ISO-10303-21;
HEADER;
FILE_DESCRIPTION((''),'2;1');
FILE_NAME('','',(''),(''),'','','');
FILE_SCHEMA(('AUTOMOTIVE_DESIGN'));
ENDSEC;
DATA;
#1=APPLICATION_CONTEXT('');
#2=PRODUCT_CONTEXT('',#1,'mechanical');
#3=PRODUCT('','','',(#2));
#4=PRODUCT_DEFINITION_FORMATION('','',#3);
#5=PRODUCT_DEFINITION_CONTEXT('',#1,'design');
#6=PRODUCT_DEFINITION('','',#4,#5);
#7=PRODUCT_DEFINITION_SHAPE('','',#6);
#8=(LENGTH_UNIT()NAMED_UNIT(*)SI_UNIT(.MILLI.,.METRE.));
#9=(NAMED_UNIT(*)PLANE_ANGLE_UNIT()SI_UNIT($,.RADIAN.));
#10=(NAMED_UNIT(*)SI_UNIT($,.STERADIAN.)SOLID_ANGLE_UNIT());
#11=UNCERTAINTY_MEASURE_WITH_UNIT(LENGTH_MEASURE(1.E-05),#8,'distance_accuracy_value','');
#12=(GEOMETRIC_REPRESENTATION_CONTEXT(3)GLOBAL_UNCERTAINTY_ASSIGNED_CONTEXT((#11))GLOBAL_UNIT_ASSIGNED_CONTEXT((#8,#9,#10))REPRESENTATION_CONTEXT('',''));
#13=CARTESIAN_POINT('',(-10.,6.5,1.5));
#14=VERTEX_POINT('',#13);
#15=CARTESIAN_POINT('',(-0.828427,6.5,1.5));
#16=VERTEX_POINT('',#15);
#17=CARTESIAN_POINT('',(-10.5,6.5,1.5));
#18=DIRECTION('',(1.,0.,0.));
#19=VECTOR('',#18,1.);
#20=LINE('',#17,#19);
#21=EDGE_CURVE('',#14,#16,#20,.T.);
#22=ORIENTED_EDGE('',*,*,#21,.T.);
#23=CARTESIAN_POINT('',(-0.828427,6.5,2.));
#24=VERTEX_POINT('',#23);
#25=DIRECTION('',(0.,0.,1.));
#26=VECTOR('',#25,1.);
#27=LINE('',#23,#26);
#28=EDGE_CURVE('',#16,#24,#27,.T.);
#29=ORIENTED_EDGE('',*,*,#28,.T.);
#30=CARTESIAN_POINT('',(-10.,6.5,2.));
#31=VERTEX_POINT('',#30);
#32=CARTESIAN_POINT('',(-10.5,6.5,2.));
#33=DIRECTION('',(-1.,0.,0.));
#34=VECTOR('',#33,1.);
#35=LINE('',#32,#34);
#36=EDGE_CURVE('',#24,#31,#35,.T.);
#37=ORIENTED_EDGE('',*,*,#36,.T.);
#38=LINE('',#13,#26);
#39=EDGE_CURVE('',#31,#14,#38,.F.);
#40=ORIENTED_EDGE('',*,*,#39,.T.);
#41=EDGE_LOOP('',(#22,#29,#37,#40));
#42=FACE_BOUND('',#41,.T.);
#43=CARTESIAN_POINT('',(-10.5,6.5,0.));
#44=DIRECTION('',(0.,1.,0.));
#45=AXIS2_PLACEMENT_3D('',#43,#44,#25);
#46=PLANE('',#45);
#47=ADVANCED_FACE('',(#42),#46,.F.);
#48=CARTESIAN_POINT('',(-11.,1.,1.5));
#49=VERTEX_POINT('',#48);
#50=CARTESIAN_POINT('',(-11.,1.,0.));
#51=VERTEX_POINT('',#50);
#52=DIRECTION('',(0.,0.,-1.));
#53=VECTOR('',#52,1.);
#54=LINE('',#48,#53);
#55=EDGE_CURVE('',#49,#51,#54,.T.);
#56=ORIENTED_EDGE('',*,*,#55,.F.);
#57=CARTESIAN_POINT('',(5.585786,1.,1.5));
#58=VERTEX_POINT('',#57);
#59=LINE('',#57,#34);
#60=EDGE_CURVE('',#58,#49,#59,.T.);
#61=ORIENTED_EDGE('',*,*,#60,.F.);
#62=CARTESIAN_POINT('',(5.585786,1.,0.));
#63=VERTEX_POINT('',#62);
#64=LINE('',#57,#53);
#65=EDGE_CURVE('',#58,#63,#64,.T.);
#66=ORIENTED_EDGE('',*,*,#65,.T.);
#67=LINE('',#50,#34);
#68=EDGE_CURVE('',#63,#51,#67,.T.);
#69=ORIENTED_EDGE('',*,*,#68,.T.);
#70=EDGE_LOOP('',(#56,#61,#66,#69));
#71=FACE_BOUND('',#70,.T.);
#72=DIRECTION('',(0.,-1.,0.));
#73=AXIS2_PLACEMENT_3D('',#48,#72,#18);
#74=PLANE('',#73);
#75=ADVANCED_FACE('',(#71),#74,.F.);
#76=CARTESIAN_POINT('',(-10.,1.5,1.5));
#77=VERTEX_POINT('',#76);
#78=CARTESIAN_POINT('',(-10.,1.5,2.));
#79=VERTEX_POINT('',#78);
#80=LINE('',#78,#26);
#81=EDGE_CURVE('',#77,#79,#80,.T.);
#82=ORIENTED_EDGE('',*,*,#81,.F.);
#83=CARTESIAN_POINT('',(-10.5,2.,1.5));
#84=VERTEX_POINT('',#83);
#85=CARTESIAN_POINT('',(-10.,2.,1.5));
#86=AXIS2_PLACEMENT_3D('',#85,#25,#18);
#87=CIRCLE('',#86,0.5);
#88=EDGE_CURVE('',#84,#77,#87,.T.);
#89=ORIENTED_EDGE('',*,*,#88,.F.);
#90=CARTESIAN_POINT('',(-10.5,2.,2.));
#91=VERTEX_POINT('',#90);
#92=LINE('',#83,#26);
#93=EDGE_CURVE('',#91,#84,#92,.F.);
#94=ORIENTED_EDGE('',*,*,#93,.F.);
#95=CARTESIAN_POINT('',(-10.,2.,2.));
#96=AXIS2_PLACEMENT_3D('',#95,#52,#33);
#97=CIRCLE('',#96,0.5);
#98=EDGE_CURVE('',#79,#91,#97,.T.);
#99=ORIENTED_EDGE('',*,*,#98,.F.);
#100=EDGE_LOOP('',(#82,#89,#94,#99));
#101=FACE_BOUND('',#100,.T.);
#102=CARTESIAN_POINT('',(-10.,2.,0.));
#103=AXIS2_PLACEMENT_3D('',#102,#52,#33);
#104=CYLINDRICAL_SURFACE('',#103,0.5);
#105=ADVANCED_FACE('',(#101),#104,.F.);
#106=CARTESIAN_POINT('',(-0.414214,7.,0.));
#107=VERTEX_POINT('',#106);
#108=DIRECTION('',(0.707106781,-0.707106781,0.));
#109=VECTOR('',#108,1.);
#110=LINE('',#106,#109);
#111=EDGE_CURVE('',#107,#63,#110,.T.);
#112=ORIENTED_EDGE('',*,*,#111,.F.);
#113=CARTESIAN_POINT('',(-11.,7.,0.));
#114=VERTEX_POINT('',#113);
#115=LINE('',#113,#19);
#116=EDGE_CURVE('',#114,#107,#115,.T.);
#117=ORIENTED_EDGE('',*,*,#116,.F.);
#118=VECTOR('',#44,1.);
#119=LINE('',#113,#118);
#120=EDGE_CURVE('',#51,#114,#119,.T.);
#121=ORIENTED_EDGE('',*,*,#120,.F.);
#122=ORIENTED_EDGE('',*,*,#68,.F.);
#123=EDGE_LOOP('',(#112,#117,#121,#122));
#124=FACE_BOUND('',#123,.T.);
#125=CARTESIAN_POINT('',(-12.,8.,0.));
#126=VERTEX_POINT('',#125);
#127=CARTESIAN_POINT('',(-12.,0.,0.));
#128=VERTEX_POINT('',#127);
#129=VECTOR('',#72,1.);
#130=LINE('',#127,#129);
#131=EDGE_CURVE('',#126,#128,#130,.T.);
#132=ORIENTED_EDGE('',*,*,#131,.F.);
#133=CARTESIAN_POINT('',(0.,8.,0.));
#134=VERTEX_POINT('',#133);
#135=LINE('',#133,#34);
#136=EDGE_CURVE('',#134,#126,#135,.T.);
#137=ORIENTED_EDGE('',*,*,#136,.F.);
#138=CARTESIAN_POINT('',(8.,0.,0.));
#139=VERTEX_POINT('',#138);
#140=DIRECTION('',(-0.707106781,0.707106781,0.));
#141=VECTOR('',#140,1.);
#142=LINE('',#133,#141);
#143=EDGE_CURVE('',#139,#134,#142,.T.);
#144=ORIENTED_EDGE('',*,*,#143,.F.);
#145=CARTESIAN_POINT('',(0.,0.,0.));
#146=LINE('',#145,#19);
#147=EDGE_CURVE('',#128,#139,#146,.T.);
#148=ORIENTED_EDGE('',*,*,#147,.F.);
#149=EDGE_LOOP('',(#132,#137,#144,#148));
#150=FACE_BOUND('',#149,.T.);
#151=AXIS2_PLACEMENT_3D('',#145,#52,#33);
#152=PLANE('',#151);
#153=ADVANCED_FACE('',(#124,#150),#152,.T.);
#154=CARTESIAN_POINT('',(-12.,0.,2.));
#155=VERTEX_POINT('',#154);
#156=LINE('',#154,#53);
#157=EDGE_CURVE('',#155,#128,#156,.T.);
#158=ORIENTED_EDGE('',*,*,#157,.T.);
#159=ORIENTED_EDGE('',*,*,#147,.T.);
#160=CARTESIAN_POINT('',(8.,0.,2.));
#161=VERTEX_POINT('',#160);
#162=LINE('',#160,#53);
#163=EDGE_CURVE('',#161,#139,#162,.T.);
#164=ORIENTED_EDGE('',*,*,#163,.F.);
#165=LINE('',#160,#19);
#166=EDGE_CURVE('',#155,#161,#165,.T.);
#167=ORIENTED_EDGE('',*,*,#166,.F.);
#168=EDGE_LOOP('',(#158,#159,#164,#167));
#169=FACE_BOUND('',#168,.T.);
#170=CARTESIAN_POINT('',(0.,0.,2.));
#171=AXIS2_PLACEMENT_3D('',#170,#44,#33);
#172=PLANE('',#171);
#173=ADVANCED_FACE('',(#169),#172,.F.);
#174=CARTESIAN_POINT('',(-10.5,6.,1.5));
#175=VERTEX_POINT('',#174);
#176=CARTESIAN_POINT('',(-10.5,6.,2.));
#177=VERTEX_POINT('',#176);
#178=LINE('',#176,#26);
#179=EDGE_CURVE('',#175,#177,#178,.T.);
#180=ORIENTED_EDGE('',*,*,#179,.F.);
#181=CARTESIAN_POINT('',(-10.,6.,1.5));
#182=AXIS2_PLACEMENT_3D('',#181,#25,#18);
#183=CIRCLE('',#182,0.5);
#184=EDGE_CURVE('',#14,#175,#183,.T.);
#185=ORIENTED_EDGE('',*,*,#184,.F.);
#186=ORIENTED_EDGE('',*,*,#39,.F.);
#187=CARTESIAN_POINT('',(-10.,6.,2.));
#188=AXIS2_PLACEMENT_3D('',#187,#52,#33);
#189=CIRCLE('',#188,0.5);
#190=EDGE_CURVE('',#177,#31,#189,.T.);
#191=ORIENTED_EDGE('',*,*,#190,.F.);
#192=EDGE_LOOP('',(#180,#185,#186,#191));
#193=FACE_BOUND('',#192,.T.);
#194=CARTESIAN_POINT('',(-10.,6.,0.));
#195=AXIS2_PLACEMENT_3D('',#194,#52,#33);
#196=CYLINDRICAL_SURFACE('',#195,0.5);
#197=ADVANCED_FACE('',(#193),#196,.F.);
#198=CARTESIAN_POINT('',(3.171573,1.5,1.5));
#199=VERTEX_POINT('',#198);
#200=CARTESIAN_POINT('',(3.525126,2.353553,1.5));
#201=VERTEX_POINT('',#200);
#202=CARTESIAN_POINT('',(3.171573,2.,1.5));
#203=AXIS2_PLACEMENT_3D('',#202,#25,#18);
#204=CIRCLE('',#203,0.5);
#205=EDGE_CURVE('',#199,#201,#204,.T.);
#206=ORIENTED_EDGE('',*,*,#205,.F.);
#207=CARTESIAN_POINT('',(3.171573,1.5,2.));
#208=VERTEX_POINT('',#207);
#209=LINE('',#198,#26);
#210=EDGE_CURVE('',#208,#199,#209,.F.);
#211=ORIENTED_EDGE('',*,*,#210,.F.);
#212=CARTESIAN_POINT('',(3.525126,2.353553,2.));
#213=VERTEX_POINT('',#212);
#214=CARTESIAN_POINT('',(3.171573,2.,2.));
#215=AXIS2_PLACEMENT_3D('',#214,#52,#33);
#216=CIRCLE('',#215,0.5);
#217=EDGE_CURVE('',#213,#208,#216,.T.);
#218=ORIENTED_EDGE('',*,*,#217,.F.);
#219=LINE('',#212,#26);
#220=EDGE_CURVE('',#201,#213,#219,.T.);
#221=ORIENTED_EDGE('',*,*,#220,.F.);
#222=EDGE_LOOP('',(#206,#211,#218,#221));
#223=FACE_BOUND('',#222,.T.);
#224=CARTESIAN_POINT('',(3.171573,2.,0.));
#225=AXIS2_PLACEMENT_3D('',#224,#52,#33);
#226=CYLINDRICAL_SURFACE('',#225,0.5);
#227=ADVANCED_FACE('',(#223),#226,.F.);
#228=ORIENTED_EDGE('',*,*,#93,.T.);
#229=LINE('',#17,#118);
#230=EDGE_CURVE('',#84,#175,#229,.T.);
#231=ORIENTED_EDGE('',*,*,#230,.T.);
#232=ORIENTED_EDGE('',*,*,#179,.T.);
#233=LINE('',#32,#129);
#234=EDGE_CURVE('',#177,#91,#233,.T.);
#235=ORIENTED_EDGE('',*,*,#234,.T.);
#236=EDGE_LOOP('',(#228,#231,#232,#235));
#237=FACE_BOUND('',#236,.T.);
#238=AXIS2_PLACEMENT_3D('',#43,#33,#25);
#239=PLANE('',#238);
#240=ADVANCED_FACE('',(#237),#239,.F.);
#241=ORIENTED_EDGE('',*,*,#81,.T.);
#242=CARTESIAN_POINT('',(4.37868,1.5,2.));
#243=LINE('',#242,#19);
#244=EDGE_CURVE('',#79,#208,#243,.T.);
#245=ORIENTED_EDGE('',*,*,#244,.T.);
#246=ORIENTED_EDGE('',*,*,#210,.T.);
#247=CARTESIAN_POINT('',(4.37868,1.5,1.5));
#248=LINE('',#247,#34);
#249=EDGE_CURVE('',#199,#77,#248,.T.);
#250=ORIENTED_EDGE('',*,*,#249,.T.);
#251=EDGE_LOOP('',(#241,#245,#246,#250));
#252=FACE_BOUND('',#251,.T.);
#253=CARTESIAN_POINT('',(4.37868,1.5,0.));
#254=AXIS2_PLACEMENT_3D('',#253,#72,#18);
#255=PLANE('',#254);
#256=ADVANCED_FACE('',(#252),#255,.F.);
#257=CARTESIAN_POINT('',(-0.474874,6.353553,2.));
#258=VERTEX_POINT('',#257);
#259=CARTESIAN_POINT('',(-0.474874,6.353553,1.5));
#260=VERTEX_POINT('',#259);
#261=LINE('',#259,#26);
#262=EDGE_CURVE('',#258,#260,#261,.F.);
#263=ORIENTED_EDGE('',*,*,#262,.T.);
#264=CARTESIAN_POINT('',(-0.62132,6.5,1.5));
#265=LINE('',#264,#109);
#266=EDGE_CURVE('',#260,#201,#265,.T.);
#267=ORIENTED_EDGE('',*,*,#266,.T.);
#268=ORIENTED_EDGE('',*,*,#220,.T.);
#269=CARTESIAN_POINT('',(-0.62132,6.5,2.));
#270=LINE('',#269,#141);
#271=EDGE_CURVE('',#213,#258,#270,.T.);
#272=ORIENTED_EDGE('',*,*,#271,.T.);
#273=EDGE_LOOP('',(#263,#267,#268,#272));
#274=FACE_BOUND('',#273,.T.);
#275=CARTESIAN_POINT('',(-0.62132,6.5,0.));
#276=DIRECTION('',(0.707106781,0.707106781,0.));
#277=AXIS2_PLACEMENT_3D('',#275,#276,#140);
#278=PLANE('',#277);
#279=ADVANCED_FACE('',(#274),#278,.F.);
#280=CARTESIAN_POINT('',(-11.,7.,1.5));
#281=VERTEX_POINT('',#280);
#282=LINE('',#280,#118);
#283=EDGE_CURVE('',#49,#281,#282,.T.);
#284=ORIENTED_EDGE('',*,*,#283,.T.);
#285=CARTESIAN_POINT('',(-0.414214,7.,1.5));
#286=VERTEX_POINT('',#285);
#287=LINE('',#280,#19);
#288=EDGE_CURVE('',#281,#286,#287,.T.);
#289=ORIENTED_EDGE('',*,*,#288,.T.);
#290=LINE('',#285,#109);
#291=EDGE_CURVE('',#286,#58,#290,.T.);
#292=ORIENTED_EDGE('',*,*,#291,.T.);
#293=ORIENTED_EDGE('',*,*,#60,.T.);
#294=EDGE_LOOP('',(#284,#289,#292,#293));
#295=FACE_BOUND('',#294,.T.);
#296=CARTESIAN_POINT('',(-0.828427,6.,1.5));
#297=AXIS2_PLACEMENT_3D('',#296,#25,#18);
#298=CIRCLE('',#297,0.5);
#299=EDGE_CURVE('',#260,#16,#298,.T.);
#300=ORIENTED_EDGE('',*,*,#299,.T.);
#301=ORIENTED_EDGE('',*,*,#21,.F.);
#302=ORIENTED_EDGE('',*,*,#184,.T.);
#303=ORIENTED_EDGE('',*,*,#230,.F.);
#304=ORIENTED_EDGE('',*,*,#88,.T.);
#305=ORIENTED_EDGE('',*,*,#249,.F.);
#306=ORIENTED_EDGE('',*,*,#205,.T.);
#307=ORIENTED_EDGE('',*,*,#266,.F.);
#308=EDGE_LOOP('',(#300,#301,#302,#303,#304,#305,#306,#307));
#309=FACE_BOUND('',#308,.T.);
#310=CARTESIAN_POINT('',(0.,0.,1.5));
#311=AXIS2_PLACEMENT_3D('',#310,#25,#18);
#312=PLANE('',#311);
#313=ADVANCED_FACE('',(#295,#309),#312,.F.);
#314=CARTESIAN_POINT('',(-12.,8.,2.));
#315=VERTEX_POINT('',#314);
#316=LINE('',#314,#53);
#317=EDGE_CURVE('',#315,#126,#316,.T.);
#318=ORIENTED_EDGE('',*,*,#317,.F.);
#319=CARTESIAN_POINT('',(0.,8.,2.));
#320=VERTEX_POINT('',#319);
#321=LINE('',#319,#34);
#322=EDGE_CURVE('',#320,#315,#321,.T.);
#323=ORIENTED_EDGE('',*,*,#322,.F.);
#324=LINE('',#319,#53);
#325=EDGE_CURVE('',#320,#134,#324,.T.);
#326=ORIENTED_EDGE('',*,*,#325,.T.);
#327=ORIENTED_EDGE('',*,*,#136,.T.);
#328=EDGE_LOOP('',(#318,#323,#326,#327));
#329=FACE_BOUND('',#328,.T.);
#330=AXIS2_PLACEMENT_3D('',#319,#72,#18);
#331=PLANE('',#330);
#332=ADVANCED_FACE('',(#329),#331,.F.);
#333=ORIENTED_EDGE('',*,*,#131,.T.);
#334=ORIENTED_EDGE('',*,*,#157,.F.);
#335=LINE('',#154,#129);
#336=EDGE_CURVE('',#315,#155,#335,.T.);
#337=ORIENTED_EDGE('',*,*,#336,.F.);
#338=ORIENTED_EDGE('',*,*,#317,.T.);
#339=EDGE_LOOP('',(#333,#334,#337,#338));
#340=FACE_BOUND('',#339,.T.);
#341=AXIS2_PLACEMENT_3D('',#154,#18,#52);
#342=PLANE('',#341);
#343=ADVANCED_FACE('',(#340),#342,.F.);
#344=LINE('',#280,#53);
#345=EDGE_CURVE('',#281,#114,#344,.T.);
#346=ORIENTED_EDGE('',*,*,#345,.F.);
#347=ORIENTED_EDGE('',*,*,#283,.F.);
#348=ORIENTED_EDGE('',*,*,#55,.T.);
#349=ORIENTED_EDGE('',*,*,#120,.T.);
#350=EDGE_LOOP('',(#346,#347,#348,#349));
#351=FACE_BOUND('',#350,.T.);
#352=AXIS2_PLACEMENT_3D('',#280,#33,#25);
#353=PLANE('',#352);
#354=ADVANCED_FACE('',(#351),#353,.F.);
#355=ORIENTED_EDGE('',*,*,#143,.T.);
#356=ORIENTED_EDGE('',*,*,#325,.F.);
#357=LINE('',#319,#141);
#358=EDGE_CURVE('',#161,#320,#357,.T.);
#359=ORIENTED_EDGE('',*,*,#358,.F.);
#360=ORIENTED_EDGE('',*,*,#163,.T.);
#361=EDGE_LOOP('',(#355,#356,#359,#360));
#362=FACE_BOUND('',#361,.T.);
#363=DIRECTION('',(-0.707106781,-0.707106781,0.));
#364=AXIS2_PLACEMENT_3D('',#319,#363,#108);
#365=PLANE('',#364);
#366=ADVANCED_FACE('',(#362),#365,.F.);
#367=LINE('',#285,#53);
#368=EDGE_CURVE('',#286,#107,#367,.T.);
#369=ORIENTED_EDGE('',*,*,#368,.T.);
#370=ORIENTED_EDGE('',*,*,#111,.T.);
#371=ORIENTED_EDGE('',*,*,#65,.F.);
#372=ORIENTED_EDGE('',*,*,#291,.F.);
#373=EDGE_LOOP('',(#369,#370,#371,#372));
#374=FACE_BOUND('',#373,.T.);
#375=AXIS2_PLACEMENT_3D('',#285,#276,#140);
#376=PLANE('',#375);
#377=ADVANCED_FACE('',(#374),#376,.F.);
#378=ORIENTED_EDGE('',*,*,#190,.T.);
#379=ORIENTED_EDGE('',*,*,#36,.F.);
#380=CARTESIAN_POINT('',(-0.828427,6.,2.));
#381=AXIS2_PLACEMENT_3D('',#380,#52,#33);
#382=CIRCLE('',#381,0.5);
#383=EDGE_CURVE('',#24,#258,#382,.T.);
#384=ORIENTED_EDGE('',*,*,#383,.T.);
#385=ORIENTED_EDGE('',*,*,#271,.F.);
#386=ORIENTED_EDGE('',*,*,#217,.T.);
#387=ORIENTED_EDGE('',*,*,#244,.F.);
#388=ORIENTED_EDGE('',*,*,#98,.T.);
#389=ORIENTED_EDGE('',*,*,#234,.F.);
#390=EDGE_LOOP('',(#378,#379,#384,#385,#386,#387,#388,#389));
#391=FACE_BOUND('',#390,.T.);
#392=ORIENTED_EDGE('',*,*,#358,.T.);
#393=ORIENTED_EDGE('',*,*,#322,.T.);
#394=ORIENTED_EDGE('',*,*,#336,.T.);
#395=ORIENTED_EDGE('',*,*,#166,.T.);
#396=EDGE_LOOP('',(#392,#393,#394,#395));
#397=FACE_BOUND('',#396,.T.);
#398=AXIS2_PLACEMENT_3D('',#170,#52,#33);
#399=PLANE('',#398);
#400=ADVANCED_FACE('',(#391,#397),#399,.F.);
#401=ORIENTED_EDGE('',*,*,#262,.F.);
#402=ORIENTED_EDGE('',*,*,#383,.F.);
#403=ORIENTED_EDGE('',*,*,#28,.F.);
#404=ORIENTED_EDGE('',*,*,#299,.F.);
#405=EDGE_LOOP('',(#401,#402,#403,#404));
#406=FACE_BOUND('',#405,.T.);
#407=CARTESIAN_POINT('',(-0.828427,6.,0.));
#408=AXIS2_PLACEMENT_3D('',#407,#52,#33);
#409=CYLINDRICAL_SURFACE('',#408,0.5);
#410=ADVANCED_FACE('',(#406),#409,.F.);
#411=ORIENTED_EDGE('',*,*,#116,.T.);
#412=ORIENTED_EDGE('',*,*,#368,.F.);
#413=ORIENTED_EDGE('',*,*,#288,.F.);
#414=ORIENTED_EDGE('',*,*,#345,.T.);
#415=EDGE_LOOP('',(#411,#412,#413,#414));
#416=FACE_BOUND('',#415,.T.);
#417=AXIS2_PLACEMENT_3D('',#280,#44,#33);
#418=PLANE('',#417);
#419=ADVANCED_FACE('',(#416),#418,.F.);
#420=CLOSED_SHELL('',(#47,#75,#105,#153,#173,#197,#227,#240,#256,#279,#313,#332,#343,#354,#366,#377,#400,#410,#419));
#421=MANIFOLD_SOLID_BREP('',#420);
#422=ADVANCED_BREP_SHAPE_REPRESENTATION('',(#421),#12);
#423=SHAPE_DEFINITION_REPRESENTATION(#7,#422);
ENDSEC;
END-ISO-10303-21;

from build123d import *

# Parameters (mm, degrees)
BOSS_EXTRUDE1_DEPTH = 2
CUT_EXTRUDE1_DEPTH  = 15.560219779
CUT_EXTRUDE2_DEPTH  = 1.5
FILLET1_R           = 0.5


with BuildPart() as part:
    # Sketch1 → Boss-Extrude1 (new body)
    with BuildSketch(Plane.XY):
        Polygon((0, 8), (8, 0), (0, 0), (-12, 0), (-12, 8), align=None)
    extrude(amount=BOSS_EXTRUDE1_DEPTH)

    # Sketch2 → Cut-Extrude1 (cut, through all)
    with BuildSketch(Plane.XY.offset(2)):
        Polygon((-0.621320344, 6.5), (4.378679656, 1.5), (-0.621320344, 1.5), (-10.5, 1.5), (-10.5, 6.5), align=None)
    extrude(amount=-CUT_EXTRUDE1_DEPTH, mode=Mode.SUBTRACT)

    # Sketch3 → Cut-Extrude2 (cut)
    with BuildSketch(Plane(origin=(0, 0, 0), x_dir=(-1, 0, 0), z_dir=(0, 0, -1))):
        Polygon((0.414213562, 7), (-5.585786438, 1), (0.414213562, 1), (11, 1), (11, 7), align=None)
    extrude(amount=-CUT_EXTRUDE2_DEPTH, mode=Mode.SUBTRACT)

    # Fillet1
    fillet1_edges = [part.edges().sort_by_distance(p)[0] for p in [
        (4.378679656, 1.5, 1.75),
        (-10.5, 1.5, 1.75),
        (-0.621320344, 6.5, 1.75),
        (-10.5, 6.5, 1.75),
    ]]
    fillet(fillet1_edges, radius=FILLET1_R)


solid = part.part
